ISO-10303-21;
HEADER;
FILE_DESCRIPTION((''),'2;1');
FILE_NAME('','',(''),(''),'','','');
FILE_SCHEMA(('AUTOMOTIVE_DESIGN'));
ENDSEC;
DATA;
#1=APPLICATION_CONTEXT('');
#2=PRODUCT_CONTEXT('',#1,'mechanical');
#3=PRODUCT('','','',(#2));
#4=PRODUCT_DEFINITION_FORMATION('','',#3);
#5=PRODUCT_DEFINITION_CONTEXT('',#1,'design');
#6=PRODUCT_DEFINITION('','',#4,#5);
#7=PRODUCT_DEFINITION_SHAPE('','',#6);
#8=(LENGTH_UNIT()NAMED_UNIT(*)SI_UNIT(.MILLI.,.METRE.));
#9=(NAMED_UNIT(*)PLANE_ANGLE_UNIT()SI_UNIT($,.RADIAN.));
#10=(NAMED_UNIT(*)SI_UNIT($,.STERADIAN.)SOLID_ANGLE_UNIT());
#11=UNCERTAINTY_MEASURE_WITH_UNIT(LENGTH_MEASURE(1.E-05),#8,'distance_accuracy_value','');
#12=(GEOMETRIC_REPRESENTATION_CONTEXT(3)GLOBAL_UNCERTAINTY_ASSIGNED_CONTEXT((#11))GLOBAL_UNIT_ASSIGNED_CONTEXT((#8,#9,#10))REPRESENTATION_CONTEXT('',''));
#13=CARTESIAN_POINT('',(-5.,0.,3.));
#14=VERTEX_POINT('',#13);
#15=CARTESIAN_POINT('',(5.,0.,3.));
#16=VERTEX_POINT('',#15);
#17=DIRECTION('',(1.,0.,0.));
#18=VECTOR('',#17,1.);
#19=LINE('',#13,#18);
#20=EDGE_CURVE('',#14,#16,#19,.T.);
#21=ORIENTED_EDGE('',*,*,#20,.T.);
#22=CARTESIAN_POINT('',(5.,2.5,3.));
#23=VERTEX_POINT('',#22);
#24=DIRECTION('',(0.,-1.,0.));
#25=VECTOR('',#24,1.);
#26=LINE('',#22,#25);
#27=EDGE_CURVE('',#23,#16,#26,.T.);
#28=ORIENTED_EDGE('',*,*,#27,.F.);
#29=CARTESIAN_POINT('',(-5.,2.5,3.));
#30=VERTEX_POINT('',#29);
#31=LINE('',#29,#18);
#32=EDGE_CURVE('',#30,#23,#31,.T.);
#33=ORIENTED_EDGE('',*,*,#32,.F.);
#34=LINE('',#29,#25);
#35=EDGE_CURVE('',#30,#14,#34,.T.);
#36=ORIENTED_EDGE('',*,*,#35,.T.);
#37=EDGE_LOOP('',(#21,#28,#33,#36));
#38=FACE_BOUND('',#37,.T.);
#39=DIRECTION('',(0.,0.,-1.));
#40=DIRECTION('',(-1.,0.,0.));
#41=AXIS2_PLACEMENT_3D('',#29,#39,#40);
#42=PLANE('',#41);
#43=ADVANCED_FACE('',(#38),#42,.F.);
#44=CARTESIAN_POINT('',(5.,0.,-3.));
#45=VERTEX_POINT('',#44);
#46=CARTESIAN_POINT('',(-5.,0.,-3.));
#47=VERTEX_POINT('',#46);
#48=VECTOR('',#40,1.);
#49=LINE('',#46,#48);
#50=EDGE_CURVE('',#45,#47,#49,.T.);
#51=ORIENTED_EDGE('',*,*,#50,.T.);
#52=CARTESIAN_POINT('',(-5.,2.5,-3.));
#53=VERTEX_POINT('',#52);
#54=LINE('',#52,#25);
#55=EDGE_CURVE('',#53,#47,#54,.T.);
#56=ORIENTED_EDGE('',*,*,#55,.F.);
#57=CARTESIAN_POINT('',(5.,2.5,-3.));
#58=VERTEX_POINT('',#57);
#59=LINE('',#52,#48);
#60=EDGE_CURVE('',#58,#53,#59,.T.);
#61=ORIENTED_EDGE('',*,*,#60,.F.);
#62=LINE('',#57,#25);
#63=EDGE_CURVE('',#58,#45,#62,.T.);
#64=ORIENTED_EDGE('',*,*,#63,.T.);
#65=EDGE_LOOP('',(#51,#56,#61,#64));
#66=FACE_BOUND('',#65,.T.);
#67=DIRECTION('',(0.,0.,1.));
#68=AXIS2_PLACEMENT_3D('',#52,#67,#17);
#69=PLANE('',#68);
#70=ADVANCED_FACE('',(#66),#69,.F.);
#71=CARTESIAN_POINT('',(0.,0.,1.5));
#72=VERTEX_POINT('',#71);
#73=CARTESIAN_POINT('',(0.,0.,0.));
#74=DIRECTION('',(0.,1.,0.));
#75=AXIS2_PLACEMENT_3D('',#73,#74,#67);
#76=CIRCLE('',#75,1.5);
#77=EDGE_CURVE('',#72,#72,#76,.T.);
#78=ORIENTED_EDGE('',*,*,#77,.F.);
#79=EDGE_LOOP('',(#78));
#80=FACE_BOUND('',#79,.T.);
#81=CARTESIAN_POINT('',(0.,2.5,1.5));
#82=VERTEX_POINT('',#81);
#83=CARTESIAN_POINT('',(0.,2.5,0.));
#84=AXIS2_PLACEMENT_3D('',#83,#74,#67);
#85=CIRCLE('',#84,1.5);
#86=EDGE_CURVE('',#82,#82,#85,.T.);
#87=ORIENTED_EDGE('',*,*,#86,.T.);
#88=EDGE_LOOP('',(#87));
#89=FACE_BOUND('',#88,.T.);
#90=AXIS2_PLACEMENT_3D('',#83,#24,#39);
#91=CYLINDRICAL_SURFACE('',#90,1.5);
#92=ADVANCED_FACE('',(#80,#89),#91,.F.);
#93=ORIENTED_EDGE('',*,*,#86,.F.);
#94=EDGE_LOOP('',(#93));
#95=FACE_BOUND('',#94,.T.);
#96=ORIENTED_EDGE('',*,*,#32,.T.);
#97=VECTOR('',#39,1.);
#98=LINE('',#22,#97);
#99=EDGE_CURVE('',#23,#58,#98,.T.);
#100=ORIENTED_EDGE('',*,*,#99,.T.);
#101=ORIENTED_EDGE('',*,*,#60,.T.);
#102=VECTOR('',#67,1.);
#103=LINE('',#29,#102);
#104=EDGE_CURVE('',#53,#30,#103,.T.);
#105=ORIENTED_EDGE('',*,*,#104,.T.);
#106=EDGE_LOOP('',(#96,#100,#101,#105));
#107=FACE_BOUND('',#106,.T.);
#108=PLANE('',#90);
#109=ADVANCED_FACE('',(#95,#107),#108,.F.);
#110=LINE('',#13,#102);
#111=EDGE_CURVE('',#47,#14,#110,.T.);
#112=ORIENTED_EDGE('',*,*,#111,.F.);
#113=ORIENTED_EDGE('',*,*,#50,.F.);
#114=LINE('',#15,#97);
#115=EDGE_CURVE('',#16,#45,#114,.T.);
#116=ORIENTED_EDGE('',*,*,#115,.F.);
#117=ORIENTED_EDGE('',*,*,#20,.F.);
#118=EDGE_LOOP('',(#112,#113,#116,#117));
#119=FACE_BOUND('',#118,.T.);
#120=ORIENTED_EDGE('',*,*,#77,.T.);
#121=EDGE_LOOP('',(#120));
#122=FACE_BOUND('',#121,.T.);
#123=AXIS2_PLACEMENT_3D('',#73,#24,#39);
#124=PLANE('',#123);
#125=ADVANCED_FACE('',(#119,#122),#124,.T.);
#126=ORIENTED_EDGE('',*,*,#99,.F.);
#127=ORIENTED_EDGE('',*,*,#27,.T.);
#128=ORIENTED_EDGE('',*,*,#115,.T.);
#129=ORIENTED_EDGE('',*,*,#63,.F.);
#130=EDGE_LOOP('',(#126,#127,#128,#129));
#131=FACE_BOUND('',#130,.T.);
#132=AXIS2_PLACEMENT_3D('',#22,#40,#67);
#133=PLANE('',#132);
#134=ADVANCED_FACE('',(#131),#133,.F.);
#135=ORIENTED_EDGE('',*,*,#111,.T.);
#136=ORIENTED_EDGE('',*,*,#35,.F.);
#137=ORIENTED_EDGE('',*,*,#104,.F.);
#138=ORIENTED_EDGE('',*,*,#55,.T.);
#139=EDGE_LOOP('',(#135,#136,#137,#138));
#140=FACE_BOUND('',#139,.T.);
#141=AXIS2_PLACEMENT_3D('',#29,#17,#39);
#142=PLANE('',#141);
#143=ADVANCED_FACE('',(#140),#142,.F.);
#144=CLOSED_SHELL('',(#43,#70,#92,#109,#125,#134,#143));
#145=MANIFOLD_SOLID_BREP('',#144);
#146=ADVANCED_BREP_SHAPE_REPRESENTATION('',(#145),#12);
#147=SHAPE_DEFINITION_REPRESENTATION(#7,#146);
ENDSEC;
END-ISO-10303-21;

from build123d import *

# Parameters (mm, degrees)
SKETCH1_W           = 10
SKETCH1_H           = 6
SKETCH1_R           = 1.5
BOSS_EXTRUDE1_DEPTH = 2.5


with BuildPart() as part:
    # Sketch1 → Boss-Extrude1 (new body)
    with BuildSketch(Plane(origin=(0, 0, 0), x_dir=(1, 0, 0), z_dir=(0, 1, 0))):
        Rectangle(SKETCH1_W, SKETCH1_H)
        Circle(SKETCH1_R, mode=Mode.SUBTRACT)
    extrude(amount=BOSS_EXTRUDE1_DEPTH)


solid = part.part
